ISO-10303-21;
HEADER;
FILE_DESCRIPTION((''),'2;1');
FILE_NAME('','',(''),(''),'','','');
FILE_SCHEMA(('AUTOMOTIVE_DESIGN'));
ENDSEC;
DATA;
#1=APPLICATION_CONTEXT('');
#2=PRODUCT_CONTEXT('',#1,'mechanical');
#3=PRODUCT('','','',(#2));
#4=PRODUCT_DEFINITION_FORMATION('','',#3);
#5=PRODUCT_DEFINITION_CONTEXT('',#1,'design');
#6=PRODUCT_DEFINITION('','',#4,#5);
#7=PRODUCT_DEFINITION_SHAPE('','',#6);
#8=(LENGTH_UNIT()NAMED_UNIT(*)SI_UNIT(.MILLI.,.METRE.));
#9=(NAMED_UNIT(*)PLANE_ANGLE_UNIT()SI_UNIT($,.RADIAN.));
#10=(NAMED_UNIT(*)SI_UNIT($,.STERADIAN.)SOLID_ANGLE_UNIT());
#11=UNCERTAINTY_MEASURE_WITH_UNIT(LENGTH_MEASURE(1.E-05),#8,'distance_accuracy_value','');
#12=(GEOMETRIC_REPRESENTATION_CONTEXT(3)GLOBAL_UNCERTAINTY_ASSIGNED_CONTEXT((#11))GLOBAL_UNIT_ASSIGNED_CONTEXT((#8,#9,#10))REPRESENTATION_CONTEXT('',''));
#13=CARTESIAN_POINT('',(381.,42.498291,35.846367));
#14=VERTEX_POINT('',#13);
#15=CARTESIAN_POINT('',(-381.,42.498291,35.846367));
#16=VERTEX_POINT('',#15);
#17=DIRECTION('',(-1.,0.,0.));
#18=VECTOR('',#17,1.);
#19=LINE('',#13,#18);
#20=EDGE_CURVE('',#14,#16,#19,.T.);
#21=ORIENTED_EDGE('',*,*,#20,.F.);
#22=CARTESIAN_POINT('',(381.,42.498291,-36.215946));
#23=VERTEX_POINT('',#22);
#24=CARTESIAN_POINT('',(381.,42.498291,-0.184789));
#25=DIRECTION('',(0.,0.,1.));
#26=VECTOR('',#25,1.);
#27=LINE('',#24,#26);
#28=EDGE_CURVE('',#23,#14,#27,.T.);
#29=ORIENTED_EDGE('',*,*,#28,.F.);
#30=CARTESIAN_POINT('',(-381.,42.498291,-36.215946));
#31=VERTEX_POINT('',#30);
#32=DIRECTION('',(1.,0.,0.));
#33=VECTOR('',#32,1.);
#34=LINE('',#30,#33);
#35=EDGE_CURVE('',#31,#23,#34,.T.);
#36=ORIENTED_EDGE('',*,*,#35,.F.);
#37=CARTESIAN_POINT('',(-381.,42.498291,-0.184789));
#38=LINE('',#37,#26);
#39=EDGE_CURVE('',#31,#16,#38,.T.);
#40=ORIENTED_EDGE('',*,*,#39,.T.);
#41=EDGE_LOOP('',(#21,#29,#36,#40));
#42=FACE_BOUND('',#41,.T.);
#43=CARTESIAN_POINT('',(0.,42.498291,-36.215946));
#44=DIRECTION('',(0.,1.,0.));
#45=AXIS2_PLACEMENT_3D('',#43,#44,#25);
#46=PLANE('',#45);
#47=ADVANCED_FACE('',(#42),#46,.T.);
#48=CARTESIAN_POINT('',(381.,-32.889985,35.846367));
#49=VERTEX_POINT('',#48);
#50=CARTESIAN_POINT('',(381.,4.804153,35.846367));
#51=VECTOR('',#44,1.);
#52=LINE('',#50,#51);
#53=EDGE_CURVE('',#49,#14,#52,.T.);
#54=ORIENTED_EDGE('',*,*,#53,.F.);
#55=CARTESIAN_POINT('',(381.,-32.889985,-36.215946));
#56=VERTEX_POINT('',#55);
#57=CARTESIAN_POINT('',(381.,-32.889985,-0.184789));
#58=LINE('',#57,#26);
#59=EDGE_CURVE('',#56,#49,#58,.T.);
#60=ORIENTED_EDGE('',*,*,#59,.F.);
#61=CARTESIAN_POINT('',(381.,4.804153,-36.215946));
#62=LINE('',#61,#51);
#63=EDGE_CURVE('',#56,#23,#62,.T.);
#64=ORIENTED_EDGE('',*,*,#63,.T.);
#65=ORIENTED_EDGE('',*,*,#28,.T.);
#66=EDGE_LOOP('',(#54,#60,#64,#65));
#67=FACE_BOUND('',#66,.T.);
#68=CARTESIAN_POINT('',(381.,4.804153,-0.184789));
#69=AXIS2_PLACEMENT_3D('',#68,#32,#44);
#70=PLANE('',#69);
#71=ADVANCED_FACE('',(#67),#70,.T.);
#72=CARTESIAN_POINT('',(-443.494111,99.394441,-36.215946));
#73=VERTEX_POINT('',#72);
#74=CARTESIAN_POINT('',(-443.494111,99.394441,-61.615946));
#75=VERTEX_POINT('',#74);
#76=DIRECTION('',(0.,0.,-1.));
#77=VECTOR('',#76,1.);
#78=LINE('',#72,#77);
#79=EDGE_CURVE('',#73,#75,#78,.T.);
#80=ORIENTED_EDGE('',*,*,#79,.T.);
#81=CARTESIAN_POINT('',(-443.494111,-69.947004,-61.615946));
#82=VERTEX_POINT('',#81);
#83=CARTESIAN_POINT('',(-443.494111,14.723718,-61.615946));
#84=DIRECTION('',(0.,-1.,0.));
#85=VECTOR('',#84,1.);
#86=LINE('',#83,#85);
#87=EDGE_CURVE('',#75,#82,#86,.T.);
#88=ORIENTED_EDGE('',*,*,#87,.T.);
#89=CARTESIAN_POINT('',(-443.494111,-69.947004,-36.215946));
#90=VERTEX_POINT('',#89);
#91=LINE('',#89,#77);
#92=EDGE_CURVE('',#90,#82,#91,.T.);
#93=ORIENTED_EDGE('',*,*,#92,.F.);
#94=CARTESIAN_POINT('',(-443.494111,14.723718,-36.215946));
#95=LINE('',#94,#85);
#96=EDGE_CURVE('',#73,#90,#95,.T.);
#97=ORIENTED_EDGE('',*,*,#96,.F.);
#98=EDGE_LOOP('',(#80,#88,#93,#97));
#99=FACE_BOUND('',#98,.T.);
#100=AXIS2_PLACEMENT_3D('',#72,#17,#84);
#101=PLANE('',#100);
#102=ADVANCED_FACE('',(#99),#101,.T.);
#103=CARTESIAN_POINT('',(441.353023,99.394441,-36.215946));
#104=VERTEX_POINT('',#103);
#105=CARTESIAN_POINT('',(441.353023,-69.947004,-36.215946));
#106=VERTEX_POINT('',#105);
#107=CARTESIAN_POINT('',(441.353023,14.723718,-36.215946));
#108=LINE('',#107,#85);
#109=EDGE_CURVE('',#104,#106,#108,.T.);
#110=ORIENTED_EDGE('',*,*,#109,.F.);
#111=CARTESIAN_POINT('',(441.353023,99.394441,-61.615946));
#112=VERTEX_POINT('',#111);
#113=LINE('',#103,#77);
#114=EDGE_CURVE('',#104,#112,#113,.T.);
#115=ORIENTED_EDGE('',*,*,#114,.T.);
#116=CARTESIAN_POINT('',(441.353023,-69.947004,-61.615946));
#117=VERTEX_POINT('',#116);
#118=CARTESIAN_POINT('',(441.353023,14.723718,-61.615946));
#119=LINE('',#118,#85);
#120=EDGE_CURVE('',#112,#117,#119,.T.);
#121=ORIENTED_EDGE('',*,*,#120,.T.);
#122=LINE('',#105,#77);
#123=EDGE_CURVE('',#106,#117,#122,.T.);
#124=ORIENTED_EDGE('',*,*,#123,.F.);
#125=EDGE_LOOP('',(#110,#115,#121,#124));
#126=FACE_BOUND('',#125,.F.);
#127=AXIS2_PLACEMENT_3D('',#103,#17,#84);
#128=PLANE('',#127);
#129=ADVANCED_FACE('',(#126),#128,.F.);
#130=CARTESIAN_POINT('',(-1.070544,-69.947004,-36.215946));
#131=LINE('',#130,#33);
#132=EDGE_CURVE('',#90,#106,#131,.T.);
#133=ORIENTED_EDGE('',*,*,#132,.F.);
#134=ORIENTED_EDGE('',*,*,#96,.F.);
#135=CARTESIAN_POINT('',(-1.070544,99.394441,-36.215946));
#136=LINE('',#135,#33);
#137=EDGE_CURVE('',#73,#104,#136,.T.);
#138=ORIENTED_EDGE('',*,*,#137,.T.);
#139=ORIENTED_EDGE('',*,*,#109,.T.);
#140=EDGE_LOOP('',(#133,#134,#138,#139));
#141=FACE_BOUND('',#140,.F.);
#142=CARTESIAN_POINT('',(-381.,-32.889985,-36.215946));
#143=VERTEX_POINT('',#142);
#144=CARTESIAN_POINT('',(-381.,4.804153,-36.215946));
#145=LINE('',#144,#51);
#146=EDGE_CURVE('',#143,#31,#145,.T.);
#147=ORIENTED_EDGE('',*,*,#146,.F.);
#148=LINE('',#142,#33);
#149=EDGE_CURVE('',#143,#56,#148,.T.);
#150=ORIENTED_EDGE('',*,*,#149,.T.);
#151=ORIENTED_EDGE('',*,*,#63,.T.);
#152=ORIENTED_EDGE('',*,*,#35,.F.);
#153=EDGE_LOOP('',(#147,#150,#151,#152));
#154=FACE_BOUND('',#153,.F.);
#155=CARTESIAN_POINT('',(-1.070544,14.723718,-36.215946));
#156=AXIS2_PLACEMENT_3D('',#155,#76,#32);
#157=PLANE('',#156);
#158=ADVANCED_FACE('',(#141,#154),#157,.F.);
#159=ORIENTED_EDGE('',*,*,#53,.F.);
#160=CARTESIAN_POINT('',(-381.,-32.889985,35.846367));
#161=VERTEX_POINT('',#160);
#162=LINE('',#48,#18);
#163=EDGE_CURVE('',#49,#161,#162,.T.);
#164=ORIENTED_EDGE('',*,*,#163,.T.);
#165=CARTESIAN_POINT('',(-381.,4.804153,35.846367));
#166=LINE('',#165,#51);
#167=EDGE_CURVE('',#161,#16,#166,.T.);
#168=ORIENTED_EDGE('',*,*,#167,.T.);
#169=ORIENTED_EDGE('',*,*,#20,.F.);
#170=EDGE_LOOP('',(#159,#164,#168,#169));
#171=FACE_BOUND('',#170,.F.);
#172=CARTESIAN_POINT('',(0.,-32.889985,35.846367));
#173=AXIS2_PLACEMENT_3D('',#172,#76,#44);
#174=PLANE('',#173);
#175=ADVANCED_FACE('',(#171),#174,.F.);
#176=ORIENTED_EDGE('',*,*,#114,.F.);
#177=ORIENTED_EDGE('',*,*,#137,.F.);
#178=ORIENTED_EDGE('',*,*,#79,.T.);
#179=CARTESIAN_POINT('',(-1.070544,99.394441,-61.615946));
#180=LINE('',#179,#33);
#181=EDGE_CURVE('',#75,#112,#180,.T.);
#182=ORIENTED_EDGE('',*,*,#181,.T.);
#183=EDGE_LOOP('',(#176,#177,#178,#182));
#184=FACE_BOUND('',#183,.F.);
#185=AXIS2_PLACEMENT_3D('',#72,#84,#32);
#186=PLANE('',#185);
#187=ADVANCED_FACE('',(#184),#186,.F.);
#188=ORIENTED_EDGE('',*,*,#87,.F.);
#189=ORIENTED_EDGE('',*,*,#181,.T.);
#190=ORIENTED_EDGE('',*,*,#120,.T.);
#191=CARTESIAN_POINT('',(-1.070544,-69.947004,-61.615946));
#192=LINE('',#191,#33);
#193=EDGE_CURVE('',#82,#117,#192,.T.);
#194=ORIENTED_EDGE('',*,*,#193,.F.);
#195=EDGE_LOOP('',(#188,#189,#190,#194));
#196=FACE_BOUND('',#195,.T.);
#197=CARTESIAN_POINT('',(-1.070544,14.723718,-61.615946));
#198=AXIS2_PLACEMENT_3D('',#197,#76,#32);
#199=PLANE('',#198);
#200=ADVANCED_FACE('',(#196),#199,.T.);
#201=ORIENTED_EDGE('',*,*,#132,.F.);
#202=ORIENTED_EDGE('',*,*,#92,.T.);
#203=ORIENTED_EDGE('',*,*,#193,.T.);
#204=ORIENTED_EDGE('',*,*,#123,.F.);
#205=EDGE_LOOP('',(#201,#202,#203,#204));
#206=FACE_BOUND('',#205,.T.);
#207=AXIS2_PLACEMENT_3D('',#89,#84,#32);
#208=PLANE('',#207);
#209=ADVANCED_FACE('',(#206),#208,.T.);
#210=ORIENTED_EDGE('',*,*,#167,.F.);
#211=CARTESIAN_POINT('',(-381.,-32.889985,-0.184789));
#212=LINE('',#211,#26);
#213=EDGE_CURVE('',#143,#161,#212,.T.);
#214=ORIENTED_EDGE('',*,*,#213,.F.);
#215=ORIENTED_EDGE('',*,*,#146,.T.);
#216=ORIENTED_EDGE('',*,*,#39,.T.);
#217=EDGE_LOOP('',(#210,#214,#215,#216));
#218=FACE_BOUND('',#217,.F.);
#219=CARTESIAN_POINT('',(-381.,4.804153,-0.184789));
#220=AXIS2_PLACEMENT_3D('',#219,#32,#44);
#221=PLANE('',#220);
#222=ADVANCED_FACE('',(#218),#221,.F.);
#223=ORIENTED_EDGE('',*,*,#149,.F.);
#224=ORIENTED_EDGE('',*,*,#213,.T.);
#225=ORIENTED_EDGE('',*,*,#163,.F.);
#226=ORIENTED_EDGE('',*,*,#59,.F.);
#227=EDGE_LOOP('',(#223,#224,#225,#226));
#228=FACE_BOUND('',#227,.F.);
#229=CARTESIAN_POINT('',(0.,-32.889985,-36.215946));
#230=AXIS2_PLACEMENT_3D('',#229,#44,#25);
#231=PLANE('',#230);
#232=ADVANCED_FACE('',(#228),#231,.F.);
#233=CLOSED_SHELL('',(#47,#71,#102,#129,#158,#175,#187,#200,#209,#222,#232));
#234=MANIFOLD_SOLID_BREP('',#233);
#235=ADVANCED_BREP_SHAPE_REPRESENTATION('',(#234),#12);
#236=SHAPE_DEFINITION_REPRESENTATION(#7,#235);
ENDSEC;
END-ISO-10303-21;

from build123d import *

# Parameters (mm, degrees)
F0_W     = 75.3882750869
F0_H     = 72.0623135567
F1_DEPTH = 381
F2_W     = 884.8471343517
F2_H     = 169.3414449692
F3_DEPTH = 25.4


with BuildPart() as f1:
    # F0 (on Right) → F1 (new body, symmetric)
    with BuildSketch(Plane.YZ):
        with Locations((4.8041529953, -0.1847893)):
            Rectangle(F0_W, F0_H)
    extrude(amount=F1_DEPTH, both=True)

    # F2 (on face) → F3 (join)
    with BuildSketch(Plane(origin=(0, 0, -36.2159460783), x_dir=(1, 0, 0), z_dir=(0, 0, -1))):
        with Locations((-1.0705441236, -14.7237181664)):
            Rectangle(F2_W, F2_H)
    extrude(amount=F3_DEPTH)


solid = f1.part
